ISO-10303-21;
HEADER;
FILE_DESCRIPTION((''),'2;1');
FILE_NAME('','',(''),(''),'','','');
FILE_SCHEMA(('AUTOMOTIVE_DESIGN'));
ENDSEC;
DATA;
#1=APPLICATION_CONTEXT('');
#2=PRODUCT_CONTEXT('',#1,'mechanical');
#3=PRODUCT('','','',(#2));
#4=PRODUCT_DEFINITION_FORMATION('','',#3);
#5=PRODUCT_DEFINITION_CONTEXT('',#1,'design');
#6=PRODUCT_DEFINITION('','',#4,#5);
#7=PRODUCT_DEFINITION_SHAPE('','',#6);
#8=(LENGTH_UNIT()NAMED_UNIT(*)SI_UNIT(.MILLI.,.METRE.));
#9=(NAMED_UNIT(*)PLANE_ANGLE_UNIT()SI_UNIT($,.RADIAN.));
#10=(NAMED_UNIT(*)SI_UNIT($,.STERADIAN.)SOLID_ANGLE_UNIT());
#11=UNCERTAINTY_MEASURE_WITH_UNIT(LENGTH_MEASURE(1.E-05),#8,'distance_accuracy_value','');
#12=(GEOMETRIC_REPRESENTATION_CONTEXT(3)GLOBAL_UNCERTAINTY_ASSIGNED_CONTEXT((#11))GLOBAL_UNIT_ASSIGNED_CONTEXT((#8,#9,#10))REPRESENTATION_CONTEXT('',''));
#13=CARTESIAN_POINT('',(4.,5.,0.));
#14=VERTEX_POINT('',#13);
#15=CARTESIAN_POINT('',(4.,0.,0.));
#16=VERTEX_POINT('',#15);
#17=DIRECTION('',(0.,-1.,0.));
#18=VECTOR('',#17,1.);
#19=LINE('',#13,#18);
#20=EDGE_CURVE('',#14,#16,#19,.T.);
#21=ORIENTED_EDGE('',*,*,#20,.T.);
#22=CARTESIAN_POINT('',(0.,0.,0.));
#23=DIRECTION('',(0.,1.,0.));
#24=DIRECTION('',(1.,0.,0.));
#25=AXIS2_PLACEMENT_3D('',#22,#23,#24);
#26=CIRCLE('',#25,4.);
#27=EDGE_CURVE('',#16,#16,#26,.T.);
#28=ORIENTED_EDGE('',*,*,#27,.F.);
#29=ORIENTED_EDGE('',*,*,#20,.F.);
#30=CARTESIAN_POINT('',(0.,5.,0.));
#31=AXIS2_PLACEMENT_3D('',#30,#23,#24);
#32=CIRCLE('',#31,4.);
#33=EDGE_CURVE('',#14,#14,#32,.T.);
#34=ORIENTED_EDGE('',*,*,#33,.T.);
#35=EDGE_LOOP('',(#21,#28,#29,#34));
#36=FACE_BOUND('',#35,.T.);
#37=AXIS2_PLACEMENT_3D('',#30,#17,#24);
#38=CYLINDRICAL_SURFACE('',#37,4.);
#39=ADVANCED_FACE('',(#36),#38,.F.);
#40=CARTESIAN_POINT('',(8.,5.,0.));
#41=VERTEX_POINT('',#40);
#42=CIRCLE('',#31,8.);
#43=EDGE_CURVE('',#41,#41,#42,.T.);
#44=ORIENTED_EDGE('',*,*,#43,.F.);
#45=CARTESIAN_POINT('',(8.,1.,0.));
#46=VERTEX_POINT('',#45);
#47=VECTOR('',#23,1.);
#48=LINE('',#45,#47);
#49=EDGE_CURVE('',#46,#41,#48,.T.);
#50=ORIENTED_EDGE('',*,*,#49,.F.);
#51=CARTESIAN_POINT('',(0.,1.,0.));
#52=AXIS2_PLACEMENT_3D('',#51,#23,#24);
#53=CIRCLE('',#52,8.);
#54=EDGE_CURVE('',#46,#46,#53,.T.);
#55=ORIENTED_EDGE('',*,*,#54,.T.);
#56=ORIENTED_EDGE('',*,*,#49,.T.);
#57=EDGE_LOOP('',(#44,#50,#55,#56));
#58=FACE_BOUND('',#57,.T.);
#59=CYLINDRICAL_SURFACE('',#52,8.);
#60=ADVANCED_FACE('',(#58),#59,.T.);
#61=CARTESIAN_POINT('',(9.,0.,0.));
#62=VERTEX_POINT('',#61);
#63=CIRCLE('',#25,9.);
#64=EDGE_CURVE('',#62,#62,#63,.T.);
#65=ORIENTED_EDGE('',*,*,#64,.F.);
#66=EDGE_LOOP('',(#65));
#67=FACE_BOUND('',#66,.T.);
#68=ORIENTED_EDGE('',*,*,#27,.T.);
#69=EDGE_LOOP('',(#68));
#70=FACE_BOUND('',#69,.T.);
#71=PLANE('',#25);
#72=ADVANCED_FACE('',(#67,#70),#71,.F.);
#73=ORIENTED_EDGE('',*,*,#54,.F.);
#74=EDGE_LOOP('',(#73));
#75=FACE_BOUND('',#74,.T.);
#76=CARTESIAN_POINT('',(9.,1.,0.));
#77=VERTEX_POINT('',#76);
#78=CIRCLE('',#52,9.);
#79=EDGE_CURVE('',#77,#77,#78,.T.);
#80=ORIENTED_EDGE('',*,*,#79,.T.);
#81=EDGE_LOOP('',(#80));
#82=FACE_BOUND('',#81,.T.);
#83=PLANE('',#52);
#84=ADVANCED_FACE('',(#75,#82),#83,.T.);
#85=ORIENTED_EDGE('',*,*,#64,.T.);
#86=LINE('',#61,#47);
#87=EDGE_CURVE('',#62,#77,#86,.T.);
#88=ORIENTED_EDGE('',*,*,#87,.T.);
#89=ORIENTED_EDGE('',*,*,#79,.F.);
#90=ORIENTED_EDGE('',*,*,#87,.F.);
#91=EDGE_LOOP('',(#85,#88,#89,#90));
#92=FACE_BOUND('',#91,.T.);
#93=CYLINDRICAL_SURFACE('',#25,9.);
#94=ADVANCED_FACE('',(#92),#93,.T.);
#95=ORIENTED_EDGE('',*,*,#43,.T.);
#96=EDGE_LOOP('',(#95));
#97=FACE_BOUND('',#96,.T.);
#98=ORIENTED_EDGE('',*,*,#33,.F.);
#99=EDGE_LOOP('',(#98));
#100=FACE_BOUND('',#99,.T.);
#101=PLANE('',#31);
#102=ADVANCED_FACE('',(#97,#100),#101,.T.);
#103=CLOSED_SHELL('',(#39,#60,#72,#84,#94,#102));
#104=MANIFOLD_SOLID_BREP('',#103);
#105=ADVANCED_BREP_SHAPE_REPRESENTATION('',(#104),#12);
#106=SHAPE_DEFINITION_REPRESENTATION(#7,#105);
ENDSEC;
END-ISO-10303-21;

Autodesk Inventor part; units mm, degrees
ref_plane "YZ Plane" through (0, 0, 0) normal (1, 0, 0) x (0, 1, 0)
ref_plane "XZ Plane" through (0, 0, 0) normal (0, 1, 0) x (-1, 0, 0)
ref_plane "XY Plane" through (0, 0, 0) normal (0, 0, 1) x (1, 0, 0)
sketch "Sketch1" plane through (0, 0, 0) normal (0, 0, 1) x (1, 0, 0)
  line L0 (0, 0) -> (0, 5) construction
  line L1 (0, 0) -> (4, 0) construction
  line L2 (4, 0) -> (9, 0)
  line L3 (9, 0) -> (9, 1)
  line L4 (9, 1) -> (8, 1)
  line L5 (8, 1) -> (8, 5)
  line L6 (8, 5) -> (4, 5)
  line L7 (4, 5) -> (4, 0)
  dimension "d2" = 5
  dimension "d5" = 1
  dimension "d7" = 4
  dimension "d9" = 18
  dimension "d10" = 8
  dimension "d11" = 16
revolve "body" add sketch "Sketch1" angle 360 about axis through (0, 0, 0) along (0, 1, 0)
equation "\"d2\" = flangeBearing_height"
equation "\"d5\" = flangeBearing_flangeHeight"
equation "\"d7\" = flangeBearing_height - flangeBearing_flangeHeight"
equation "\"d9\" = flangeBearing_flangeDiameter"
equation "\"d10\" = flangeBearing_innerDiameter"
equation "\"d11\" = flangeBearing_outerDiameter"
equation "\"gap\" = 0.1"
equation "\"airgap\" = 0.4"
equation "\"wallgap\" = 2"
equation "\"driveMagnet_height\" = 5"
equation "\"halbachMagnet_height\" = 3"
equation "\"sensorMagnet_diameter\" = 5"
equation "\"sensorMagnet_height\" = 2.66667"
equation "\"motorRadius\" = 2 * gap + driveMagnet_centerSpacingRadius + driveMagnet_length + 2 * wallgap"
equation "\"shaftDiameter\" = 8"
equation "\"flangeBearing_outerDiameter\" = 16"
equation "\"flangeBearing_innerDiameter\" = shaftDiameter"
equation "\"flangeBearing_height\" = 5"
equation "\"flangeBearing_flangeHeight\" = 1"
equation "\"flangeBearing_flangeDiameter\" = 18"
equation "\"magnetTrapNut_height\" = 1.2"
equation "\"magnetTrapNut_sideToSide\" = 4"
equation "\"magnetTrapBolt_headHeight\" = 2"
equation "\"magnetTrapBolt_headDiameter\" = 3.98"
equation "\"magnetTrapBolt_diameter\" = 2"
equation "\"statorThickness\" = coilThickness + 2 * wallgap"
equation "\"rotor_mountingLipHeight\" = 0.5 * statorThickness"
equation "\"magnetTrapHexNut_sideToSide\" = 4"
equation "\"magnetTrapSquareNut_sideLength\" = 4"
equation "\"magnetTrapSquareNut_height\" = 1.2"
equation "\"magnetTrapHexNut_height\" = 1.2"
equation "\"rotorRadius\" = 2 * gap + driveMagnet_centerSpacingRadius + driveMagnet_length + wallgap"
equation "\"rotorBandSquareNut_sideLength\" = 4"
equation "\"rotorBandHexNut_height\" = 1.2"
equation "\"rotorBandHexNut_sideToSide\" = 4"
equation "\"rotorBandSquareNut_height\" = 1.2"
equation "\"rotorBandBolt_headHeight\" = 2"
equation "\"rotorBandBolt_headDiameter\" = 3.98"
equation "\"rotorBandBolt_diameter\" = 2"
equation "\"rotorBandThickness\" = wallgap + rotorBandBolt_headHeight + gap"
equation "\"flangeCoupling_collarOuterDiameter\" = 16"
equation "\"flangeCoupling_flangeHoleEdgeToEdge\" = 2.05"
equation "\"flangeCoupling_innerDiameter\" = shaftDiameter"
equation "\"flangeCoupling_flangeHoleDiameter\" = 3.9"
equation "\"flangeCoupling_flangeHeight\" = 3.1"
equation "\"flangeCoupling_flangeDiameter\" = 32"
equation "\"flangeCoupling_height\" = flangeCoupling_collarHeight + flangeCoupling_flangeHeight"
equation "\"flangeCoupling_mountHoleDiameter\" = 3.9"
equation "\"flangeCoupling_mountHoleEdgeToEdge\" = 2.05"
equation "\"statorRadius\" = driveMagnet_length + driveMagnet_centerSpacingRadius + 2 * gap"
equation "\"coilThickness\" = 12"
equation "\"statorMountBolt_diameter\" = 4"
equation "\"statorMountBolt_headDiameter\" = 7"
equation "\"statorMountBolt_headHeight\" = 4"
equation "\"statorMountBolt_shaftLength\" = coilThickness + flangeCoupling_flangeHeight + wallgap"
equation "\"statorMountHexNut_height\" = 4"
equation "\"statorMountHexNut_sideToSide\" = 8"
equation "\"sensorMagnet_ringRadius\" = 0.5 * driveMagnet_centerSpacingRadius + 2 * wallgap"
equation "\"coil_percentCoverage\" = 0.6"
equation "\"statorSpokeDegrees\" = 4deg"
equation "\"coil_bulge\" = 3"
equation "\"statorCoilBolt_shaftLength\" = coilThickness"
equation "\"statorCoilHexNut_height\" = 1.2"
equation "\"statorCoilBolt_headHeight\" = 2"
equation "\"statorCoilBolt_diameter\" = 2"
equation "\"statorCoilBolt_headDiameter\" = 3.98"
equation "\"statorCoilHexNut_sideToSide\" = 4"
equation "\"driveMagnet_centerSpacingRadius\" = 38.96113"
equation "\"driveMagnet_length\" = 60"
equation "\"flangeCoupling_collarHeight\" = 10"
properties part number "FlangeBearing" material "Steel, High Strength, Low Alloy"
